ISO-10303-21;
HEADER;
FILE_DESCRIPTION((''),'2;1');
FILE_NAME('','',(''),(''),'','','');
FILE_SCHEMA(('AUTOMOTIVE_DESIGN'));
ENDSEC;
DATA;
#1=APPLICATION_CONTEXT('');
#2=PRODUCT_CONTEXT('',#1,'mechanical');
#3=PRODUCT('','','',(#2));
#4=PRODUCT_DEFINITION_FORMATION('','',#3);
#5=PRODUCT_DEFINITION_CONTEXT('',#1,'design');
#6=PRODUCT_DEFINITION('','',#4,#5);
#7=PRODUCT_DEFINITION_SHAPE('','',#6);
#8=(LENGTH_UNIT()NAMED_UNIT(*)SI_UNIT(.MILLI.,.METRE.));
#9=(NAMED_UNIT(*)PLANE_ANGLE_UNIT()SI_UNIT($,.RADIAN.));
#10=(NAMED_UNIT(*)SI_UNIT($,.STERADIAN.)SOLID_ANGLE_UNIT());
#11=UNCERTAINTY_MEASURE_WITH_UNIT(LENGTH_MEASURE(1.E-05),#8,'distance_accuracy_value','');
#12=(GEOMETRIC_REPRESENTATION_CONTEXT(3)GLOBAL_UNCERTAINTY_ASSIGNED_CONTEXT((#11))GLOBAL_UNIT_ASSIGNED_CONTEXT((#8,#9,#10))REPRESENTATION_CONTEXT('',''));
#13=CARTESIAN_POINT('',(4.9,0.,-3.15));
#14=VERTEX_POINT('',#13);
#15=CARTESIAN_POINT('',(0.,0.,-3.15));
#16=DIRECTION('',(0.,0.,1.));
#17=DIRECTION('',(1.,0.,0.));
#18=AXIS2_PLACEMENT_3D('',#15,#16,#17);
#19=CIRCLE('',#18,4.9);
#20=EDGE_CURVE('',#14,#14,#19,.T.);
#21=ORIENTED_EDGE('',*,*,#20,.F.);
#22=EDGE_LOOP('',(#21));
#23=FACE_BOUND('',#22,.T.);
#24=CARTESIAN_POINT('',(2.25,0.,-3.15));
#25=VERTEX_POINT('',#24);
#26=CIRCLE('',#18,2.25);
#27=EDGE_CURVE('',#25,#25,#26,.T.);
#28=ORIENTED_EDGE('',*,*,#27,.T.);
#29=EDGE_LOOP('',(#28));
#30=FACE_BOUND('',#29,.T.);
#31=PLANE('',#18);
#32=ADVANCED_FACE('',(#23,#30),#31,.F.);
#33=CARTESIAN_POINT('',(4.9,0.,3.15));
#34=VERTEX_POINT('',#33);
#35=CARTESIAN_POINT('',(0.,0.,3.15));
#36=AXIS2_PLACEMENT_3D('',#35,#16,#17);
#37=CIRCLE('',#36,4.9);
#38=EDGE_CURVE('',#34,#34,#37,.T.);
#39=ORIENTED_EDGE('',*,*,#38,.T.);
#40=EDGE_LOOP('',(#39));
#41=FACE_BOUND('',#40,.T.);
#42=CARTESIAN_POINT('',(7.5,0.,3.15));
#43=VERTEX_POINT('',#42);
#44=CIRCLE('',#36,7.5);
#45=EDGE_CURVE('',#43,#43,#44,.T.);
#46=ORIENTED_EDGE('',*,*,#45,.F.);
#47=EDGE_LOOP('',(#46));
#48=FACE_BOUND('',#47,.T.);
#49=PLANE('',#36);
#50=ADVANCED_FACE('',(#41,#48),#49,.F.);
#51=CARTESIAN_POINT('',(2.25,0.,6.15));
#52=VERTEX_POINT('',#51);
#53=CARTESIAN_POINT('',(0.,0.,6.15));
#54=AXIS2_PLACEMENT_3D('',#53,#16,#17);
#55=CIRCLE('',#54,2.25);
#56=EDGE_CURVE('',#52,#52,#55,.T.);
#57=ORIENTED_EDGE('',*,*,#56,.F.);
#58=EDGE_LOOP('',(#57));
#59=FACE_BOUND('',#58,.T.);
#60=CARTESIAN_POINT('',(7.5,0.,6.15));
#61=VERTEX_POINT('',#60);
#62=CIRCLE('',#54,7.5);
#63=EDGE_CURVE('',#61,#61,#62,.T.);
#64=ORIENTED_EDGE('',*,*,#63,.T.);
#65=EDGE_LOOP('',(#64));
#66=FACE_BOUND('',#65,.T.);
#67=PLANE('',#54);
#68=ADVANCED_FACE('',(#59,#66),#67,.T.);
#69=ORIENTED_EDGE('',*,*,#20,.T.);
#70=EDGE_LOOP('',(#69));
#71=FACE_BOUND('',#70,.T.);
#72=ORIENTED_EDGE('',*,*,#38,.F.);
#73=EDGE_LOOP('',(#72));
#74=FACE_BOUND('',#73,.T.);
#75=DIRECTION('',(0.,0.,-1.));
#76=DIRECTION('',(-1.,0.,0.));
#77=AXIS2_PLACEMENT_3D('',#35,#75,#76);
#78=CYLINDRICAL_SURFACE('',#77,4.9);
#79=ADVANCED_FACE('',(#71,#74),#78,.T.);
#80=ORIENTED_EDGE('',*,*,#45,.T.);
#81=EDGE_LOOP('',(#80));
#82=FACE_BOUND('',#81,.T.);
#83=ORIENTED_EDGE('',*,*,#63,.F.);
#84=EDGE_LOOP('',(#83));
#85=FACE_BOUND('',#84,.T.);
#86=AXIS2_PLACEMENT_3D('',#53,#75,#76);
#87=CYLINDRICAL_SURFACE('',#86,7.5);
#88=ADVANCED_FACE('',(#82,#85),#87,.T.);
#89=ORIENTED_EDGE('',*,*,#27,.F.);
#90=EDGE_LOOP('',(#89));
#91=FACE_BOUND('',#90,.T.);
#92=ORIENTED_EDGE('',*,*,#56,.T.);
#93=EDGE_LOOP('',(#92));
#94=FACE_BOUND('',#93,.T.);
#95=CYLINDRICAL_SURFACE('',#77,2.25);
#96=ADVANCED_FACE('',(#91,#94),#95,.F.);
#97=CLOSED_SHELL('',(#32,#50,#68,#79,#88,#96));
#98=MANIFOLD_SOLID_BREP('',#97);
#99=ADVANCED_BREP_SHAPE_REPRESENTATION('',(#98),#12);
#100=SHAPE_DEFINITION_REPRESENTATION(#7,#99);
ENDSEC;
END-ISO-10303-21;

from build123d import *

# Parameters (mm, degrees)
SKETCH1_R           = 4.9
SKETCH1_R_2         = 2.25
BOSS_EXTRUDE1_DEPTH = 3.15
SKETCH2_R           = 7.5
SKETCH2_R_2         = 2.25
BOSS_EXTRUDE2_DEPTH = 3


with BuildPart() as part:
    # Sketch1 → Boss-Extrude1 (new body, symmetric)
    with BuildSketch(Plane.XY):
        Circle(SKETCH1_R)
        Circle(SKETCH1_R_2, mode=Mode.SUBTRACT)
    extrude(amount=BOSS_EXTRUDE1_DEPTH, both=True)

    # Sketch2 → Boss-Extrude2 (add)
    with BuildSketch(Plane.XY.offset(3.15)):
        Circle(SKETCH2_R)
        Circle(SKETCH2_R_2, mode=Mode.SUBTRACT)
    extrude(amount=BOSS_EXTRUDE2_DEPTH)


solid = part.part
